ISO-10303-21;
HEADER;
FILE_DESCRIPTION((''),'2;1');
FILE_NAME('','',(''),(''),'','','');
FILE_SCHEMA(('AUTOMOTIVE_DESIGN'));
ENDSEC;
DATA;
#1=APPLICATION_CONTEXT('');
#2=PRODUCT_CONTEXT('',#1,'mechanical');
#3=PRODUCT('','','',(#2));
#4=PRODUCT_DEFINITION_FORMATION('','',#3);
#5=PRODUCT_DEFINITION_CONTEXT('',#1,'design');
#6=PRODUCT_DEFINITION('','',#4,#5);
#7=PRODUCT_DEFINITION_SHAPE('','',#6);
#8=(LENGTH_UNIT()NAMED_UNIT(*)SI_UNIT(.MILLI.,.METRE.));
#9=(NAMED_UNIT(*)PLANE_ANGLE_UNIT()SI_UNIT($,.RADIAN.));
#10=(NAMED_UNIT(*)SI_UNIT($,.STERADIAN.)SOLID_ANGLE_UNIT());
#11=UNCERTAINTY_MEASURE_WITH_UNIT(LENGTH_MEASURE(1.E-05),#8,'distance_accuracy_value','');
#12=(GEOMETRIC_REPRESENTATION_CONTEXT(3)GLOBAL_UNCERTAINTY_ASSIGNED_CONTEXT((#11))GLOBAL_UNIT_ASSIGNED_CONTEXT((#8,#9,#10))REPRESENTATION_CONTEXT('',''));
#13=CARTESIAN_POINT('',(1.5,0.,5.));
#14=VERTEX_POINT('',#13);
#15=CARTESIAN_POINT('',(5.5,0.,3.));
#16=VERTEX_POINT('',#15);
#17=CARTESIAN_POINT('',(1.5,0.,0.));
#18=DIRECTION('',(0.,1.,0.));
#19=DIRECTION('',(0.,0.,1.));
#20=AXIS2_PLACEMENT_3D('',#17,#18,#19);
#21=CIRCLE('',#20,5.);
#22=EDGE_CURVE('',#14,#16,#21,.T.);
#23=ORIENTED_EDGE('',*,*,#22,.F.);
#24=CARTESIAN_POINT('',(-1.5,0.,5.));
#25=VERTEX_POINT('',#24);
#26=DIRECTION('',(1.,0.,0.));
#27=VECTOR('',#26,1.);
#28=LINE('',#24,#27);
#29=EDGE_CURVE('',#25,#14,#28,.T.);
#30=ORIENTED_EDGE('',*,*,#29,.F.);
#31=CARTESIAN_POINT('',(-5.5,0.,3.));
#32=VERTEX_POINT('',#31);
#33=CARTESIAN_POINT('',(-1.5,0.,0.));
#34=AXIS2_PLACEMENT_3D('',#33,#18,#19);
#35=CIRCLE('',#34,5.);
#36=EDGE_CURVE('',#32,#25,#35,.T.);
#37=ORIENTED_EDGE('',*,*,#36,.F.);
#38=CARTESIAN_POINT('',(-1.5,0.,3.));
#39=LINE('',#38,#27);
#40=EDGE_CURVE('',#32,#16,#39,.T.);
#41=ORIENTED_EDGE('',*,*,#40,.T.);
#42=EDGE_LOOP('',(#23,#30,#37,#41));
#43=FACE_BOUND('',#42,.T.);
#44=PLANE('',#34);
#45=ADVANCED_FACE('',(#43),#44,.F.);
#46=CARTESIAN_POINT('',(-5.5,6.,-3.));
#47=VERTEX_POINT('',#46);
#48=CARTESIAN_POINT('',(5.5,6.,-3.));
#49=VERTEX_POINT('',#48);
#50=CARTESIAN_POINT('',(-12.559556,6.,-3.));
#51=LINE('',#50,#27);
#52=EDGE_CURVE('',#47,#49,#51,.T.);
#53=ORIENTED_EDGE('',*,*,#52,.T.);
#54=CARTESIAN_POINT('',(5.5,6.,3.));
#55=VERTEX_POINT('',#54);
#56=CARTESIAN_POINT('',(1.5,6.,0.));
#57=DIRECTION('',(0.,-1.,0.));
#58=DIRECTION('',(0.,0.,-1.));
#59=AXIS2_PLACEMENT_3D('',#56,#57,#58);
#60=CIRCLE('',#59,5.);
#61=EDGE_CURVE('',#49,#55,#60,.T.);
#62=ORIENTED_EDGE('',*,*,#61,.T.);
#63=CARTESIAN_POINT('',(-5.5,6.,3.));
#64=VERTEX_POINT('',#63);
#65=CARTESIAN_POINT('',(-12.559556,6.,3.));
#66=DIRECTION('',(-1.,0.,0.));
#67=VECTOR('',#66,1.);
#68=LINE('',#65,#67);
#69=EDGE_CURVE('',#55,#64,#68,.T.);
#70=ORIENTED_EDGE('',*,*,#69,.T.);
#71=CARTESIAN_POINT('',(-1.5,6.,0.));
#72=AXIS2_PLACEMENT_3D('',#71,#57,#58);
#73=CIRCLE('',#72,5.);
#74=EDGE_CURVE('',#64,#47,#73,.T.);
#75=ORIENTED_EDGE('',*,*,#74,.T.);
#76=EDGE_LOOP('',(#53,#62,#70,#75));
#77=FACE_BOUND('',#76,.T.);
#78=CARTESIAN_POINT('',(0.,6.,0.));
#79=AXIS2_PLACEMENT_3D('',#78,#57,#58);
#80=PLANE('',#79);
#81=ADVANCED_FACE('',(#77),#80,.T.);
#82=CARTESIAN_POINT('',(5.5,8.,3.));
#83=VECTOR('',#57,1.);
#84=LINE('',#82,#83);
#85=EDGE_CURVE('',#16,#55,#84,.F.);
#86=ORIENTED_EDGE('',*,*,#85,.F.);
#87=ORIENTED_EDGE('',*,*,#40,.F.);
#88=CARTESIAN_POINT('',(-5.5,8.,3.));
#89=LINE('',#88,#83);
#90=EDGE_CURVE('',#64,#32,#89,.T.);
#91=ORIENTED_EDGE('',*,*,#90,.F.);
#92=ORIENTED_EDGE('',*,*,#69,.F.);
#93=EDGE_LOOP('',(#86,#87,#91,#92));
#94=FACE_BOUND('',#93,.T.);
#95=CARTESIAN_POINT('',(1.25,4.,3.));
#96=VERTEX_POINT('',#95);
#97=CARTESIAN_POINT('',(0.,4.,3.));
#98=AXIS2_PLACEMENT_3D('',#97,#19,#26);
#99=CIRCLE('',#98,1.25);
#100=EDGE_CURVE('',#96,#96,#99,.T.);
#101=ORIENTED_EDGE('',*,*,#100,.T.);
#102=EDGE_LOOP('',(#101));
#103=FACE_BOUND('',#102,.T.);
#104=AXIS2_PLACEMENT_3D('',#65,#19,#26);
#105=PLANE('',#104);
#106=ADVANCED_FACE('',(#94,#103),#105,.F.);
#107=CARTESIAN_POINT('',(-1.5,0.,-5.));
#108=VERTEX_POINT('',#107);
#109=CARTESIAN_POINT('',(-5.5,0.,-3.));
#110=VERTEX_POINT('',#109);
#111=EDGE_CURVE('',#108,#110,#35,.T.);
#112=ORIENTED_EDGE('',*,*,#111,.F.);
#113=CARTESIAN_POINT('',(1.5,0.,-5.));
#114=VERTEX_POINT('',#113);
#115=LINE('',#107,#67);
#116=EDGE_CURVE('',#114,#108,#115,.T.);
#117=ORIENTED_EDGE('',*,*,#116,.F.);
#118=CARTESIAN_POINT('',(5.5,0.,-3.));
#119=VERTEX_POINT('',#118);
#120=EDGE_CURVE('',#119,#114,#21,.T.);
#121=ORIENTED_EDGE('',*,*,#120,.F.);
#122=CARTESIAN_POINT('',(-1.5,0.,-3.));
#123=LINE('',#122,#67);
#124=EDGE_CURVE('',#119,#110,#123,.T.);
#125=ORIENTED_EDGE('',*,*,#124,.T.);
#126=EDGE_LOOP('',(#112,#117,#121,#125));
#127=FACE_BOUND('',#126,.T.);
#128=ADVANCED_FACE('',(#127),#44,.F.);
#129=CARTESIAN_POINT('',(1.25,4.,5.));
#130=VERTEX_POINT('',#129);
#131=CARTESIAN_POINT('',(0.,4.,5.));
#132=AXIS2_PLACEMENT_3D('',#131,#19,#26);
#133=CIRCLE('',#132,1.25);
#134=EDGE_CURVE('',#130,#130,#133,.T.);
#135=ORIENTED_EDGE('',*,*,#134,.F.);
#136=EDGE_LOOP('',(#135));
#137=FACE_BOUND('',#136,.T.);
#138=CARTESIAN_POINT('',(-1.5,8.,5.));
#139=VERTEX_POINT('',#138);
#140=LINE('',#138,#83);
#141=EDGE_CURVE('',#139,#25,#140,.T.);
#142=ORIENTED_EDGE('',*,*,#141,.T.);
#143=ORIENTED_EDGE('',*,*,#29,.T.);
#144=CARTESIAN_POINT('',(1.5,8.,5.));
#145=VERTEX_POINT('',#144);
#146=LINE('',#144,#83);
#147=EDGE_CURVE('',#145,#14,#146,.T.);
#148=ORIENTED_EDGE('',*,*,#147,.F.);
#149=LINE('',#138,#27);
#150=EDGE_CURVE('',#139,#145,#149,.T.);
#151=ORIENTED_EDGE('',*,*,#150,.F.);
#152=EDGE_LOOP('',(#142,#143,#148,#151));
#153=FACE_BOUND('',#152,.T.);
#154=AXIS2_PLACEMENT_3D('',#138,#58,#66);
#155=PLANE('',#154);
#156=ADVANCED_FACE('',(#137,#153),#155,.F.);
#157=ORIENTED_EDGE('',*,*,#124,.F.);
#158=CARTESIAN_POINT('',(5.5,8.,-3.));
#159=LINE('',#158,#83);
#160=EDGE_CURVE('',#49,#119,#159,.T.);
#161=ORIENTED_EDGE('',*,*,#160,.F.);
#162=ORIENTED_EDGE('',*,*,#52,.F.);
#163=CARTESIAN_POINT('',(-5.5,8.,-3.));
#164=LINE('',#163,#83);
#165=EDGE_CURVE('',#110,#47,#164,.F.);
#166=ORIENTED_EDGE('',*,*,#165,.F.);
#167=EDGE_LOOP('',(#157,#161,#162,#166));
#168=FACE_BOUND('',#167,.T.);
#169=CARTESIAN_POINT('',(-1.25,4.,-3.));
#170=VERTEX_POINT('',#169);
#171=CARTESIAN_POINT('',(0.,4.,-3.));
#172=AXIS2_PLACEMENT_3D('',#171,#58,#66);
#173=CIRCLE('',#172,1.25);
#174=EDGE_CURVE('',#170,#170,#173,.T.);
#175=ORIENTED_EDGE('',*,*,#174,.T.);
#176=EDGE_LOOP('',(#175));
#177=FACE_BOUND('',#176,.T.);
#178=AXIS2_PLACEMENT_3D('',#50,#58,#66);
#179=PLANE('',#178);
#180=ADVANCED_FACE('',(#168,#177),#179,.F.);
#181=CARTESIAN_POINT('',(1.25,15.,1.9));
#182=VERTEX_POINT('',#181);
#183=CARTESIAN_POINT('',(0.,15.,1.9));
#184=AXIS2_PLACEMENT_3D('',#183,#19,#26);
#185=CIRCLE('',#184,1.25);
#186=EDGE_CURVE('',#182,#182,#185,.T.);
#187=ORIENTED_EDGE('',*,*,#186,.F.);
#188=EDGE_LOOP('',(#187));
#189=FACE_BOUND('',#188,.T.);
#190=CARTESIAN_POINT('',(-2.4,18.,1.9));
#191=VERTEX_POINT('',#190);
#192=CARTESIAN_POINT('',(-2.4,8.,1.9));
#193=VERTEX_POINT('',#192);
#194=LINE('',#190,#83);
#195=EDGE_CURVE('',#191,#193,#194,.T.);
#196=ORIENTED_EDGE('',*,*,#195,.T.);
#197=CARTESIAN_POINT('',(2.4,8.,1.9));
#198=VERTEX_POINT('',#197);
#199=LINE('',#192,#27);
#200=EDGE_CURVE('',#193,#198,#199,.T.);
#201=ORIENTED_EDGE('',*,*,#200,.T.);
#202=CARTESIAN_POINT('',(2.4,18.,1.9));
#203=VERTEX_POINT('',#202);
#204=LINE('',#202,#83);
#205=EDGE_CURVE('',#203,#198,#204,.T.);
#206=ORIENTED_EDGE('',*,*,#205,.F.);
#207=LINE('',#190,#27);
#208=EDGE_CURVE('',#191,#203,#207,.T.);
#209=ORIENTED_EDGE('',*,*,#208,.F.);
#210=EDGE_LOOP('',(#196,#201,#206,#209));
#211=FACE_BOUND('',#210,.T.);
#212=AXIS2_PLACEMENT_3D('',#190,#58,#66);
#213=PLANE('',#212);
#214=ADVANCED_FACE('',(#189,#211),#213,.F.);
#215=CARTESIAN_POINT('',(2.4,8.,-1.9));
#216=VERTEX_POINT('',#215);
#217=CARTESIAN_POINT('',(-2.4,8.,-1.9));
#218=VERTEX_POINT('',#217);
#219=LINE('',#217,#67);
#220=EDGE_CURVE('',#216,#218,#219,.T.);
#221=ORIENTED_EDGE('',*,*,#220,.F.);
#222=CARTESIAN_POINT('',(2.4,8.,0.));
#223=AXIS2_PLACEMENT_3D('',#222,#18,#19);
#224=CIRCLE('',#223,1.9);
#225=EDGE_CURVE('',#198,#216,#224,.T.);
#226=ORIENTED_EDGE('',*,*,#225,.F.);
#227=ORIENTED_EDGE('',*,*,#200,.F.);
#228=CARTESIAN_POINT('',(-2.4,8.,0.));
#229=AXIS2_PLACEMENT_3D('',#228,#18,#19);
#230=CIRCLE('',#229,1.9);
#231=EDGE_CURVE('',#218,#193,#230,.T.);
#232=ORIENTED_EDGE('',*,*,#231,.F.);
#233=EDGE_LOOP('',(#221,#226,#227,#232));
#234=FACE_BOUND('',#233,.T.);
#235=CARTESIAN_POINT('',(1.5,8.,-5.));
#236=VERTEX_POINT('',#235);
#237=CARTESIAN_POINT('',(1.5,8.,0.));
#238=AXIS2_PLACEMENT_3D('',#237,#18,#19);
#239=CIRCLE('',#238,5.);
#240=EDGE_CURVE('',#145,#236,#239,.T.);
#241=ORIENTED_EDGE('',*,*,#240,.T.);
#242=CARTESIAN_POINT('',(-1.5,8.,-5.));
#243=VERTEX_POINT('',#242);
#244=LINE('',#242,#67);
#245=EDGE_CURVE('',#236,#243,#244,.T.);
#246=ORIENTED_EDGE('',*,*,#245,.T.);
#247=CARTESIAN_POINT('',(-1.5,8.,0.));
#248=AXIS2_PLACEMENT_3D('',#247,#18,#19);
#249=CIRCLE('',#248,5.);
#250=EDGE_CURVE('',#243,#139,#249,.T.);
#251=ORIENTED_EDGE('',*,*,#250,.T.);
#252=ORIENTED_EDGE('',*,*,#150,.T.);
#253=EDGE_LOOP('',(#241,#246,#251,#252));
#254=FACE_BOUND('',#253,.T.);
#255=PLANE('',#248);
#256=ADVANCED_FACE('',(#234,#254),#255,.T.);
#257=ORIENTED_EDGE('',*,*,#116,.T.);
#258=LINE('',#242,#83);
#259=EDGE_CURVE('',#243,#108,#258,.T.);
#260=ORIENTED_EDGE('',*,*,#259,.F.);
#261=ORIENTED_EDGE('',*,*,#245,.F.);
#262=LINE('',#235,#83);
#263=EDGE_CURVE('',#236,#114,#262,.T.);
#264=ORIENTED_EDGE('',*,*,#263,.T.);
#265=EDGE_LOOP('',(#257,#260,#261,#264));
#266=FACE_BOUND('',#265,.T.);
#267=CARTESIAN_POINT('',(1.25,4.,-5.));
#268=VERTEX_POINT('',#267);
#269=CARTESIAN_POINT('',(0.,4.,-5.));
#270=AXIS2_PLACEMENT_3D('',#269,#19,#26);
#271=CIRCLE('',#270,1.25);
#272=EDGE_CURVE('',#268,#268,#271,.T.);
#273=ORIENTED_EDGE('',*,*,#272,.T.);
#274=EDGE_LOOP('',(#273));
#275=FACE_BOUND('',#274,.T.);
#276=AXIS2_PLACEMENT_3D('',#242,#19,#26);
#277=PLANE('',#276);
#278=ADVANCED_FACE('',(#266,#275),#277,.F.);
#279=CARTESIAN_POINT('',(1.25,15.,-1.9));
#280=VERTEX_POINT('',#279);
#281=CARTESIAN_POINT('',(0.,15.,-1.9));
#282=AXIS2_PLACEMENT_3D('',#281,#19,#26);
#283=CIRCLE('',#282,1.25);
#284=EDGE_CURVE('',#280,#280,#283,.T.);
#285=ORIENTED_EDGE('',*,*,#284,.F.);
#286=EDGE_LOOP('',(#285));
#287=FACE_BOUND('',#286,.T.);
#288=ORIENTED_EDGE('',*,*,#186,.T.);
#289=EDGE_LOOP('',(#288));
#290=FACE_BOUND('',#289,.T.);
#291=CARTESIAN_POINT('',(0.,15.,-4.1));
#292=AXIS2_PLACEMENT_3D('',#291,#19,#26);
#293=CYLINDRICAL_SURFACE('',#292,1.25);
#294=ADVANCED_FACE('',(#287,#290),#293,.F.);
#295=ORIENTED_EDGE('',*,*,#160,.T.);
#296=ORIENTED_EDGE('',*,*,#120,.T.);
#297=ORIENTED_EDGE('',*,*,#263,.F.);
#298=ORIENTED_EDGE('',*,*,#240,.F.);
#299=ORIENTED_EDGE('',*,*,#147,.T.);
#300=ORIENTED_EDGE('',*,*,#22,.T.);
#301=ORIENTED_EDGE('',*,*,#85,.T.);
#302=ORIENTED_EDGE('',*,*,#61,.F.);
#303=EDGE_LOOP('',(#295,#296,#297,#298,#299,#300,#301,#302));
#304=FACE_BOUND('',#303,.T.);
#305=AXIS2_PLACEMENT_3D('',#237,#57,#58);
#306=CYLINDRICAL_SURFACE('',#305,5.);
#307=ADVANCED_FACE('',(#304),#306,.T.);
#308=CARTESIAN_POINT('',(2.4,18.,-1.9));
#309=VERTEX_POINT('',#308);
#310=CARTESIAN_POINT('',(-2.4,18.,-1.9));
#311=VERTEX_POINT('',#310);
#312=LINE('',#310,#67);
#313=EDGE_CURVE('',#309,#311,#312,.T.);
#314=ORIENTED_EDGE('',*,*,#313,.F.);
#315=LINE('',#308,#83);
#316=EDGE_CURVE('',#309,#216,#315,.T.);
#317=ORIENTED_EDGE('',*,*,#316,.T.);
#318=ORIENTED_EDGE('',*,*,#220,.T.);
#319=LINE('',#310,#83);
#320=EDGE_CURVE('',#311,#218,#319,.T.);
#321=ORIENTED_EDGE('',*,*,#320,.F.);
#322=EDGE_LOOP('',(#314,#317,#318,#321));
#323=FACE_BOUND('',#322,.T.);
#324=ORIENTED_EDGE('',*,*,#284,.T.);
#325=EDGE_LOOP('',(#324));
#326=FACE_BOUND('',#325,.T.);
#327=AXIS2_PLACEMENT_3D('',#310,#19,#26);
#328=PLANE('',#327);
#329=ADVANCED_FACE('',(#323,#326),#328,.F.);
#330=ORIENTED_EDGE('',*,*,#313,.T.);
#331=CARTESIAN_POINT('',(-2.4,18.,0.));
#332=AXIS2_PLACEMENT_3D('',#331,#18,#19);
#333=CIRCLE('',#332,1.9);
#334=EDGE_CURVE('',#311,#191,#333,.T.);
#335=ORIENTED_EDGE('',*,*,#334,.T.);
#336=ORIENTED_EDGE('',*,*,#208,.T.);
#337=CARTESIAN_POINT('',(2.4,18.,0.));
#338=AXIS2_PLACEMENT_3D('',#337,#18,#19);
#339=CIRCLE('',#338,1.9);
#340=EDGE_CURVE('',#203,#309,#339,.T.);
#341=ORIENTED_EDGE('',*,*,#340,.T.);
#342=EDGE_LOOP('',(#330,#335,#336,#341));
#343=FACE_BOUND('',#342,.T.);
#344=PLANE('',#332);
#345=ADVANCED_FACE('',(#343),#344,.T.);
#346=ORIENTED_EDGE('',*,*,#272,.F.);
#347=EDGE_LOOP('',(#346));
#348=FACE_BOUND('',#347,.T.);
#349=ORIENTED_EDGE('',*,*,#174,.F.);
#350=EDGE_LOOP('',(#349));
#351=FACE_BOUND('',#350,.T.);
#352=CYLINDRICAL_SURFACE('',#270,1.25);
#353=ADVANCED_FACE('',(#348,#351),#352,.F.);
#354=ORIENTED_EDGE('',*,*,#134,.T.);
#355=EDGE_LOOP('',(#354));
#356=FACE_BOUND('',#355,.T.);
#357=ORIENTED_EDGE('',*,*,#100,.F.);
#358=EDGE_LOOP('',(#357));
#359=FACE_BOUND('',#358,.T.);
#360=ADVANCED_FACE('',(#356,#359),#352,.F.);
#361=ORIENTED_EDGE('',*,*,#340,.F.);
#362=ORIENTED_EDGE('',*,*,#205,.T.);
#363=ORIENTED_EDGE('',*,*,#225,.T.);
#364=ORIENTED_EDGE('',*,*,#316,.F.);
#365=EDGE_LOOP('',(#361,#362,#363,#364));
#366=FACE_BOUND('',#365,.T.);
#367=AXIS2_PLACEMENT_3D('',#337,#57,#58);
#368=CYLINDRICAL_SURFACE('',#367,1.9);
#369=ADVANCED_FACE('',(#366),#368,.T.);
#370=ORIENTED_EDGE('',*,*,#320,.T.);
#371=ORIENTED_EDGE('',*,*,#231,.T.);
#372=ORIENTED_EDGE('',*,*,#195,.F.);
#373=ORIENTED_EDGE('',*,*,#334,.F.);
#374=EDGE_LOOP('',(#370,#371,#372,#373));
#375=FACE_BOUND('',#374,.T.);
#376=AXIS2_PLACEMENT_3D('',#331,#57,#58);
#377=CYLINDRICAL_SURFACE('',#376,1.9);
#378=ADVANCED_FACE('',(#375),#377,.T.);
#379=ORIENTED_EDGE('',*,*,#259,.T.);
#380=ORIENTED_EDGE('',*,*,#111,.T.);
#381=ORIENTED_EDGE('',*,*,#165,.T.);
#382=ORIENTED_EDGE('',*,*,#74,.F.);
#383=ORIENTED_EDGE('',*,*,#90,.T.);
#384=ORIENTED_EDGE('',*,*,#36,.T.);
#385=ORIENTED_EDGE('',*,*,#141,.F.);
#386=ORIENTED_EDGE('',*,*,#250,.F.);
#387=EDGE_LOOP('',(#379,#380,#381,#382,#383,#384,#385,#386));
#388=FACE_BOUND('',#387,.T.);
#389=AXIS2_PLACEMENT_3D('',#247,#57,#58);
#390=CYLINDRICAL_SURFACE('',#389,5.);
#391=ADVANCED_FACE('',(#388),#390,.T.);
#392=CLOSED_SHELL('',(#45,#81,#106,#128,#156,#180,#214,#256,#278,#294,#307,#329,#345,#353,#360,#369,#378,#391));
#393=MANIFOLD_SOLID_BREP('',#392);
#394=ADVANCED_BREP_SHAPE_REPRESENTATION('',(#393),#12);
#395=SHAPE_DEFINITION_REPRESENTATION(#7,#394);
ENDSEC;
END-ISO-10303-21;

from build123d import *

# Parameters (mm, degrees)
EXTRUDE_1_DEPTH     = 8
EXTRUDE_2_DEPTH     = 10
SKETCH_3_R          = 1.25
CUT_EXTRUDE_1_DEPTH = 6
SKETCH_4_W          = 25.11911159
SKETCH_4_H          = 6
CUT_EXTRUDE_2_DEPTH = 6
SKETCH_5_R          = 1.25
CUT_EXTRUDE_3_DEPTH = 22.592822882


with BuildPart() as part:
    # 草图1 → 凸台-拉伸1 (new body)
    with BuildSketch(Plane(origin=(0, 0, 0), x_dir=(1, 0, 0), z_dir=(0, 1, 0))):
        with BuildLine():
            Line((-1.5, 5), (1.5, 5))
            ThreePointArc((1.5, 5), (6.5, 0), (1.5, -5))
            Line((1.5, -5), (-1.5, -5))
            ThreePointArc((-1.5, -5), (-6.5, 0), (-1.5, 5))
        make_face()
    extrude(amount=EXTRUDE_1_DEPTH)

    # 草图2 → 凸台-拉伸2 (add)
    with BuildSketch(Plane(origin=(0, 8, 0), x_dir=(1, 0, 0), z_dir=(0, 1, 0))):
        with BuildLine():
            Line((-2.4, 1.9), (2.4, 1.9))
            ThreePointArc((2.4, 1.9), (4.3, 0), (2.4, -1.9))
            Line((2.4, -1.9), (-2.4, -1.9))
            ThreePointArc((-2.4, -1.9), (-4.3, 0), (-2.4, 1.9))
        make_face()
    extrude(amount=EXTRUDE_2_DEPTH)

    # 草图3 → 切除-拉伸1 (cut)
    with BuildSketch(Plane.XY.offset(1.9)):
        with Locations((0, 15)):
            Circle(SKETCH_3_R)
    extrude(amount=-CUT_EXTRUDE_1_DEPTH, mode=Mode.SUBTRACT)

    # 草图4 → 切除-拉伸2 (cut)
    with BuildSketch(Plane.XZ):
        Rectangle(SKETCH_4_W, SKETCH_4_H)
    extrude(amount=-CUT_EXTRUDE_2_DEPTH, mode=Mode.SUBTRACT)

    # 草图5 → 切除-拉伸3 (cut, through all)
    with BuildSketch(Plane.XY.offset(5)):
        with Locations((0, 4)):
            Circle(SKETCH_5_R)
    extrude(amount=-CUT_EXTRUDE_3_DEPTH, mode=Mode.SUBTRACT)


solid = part.part
